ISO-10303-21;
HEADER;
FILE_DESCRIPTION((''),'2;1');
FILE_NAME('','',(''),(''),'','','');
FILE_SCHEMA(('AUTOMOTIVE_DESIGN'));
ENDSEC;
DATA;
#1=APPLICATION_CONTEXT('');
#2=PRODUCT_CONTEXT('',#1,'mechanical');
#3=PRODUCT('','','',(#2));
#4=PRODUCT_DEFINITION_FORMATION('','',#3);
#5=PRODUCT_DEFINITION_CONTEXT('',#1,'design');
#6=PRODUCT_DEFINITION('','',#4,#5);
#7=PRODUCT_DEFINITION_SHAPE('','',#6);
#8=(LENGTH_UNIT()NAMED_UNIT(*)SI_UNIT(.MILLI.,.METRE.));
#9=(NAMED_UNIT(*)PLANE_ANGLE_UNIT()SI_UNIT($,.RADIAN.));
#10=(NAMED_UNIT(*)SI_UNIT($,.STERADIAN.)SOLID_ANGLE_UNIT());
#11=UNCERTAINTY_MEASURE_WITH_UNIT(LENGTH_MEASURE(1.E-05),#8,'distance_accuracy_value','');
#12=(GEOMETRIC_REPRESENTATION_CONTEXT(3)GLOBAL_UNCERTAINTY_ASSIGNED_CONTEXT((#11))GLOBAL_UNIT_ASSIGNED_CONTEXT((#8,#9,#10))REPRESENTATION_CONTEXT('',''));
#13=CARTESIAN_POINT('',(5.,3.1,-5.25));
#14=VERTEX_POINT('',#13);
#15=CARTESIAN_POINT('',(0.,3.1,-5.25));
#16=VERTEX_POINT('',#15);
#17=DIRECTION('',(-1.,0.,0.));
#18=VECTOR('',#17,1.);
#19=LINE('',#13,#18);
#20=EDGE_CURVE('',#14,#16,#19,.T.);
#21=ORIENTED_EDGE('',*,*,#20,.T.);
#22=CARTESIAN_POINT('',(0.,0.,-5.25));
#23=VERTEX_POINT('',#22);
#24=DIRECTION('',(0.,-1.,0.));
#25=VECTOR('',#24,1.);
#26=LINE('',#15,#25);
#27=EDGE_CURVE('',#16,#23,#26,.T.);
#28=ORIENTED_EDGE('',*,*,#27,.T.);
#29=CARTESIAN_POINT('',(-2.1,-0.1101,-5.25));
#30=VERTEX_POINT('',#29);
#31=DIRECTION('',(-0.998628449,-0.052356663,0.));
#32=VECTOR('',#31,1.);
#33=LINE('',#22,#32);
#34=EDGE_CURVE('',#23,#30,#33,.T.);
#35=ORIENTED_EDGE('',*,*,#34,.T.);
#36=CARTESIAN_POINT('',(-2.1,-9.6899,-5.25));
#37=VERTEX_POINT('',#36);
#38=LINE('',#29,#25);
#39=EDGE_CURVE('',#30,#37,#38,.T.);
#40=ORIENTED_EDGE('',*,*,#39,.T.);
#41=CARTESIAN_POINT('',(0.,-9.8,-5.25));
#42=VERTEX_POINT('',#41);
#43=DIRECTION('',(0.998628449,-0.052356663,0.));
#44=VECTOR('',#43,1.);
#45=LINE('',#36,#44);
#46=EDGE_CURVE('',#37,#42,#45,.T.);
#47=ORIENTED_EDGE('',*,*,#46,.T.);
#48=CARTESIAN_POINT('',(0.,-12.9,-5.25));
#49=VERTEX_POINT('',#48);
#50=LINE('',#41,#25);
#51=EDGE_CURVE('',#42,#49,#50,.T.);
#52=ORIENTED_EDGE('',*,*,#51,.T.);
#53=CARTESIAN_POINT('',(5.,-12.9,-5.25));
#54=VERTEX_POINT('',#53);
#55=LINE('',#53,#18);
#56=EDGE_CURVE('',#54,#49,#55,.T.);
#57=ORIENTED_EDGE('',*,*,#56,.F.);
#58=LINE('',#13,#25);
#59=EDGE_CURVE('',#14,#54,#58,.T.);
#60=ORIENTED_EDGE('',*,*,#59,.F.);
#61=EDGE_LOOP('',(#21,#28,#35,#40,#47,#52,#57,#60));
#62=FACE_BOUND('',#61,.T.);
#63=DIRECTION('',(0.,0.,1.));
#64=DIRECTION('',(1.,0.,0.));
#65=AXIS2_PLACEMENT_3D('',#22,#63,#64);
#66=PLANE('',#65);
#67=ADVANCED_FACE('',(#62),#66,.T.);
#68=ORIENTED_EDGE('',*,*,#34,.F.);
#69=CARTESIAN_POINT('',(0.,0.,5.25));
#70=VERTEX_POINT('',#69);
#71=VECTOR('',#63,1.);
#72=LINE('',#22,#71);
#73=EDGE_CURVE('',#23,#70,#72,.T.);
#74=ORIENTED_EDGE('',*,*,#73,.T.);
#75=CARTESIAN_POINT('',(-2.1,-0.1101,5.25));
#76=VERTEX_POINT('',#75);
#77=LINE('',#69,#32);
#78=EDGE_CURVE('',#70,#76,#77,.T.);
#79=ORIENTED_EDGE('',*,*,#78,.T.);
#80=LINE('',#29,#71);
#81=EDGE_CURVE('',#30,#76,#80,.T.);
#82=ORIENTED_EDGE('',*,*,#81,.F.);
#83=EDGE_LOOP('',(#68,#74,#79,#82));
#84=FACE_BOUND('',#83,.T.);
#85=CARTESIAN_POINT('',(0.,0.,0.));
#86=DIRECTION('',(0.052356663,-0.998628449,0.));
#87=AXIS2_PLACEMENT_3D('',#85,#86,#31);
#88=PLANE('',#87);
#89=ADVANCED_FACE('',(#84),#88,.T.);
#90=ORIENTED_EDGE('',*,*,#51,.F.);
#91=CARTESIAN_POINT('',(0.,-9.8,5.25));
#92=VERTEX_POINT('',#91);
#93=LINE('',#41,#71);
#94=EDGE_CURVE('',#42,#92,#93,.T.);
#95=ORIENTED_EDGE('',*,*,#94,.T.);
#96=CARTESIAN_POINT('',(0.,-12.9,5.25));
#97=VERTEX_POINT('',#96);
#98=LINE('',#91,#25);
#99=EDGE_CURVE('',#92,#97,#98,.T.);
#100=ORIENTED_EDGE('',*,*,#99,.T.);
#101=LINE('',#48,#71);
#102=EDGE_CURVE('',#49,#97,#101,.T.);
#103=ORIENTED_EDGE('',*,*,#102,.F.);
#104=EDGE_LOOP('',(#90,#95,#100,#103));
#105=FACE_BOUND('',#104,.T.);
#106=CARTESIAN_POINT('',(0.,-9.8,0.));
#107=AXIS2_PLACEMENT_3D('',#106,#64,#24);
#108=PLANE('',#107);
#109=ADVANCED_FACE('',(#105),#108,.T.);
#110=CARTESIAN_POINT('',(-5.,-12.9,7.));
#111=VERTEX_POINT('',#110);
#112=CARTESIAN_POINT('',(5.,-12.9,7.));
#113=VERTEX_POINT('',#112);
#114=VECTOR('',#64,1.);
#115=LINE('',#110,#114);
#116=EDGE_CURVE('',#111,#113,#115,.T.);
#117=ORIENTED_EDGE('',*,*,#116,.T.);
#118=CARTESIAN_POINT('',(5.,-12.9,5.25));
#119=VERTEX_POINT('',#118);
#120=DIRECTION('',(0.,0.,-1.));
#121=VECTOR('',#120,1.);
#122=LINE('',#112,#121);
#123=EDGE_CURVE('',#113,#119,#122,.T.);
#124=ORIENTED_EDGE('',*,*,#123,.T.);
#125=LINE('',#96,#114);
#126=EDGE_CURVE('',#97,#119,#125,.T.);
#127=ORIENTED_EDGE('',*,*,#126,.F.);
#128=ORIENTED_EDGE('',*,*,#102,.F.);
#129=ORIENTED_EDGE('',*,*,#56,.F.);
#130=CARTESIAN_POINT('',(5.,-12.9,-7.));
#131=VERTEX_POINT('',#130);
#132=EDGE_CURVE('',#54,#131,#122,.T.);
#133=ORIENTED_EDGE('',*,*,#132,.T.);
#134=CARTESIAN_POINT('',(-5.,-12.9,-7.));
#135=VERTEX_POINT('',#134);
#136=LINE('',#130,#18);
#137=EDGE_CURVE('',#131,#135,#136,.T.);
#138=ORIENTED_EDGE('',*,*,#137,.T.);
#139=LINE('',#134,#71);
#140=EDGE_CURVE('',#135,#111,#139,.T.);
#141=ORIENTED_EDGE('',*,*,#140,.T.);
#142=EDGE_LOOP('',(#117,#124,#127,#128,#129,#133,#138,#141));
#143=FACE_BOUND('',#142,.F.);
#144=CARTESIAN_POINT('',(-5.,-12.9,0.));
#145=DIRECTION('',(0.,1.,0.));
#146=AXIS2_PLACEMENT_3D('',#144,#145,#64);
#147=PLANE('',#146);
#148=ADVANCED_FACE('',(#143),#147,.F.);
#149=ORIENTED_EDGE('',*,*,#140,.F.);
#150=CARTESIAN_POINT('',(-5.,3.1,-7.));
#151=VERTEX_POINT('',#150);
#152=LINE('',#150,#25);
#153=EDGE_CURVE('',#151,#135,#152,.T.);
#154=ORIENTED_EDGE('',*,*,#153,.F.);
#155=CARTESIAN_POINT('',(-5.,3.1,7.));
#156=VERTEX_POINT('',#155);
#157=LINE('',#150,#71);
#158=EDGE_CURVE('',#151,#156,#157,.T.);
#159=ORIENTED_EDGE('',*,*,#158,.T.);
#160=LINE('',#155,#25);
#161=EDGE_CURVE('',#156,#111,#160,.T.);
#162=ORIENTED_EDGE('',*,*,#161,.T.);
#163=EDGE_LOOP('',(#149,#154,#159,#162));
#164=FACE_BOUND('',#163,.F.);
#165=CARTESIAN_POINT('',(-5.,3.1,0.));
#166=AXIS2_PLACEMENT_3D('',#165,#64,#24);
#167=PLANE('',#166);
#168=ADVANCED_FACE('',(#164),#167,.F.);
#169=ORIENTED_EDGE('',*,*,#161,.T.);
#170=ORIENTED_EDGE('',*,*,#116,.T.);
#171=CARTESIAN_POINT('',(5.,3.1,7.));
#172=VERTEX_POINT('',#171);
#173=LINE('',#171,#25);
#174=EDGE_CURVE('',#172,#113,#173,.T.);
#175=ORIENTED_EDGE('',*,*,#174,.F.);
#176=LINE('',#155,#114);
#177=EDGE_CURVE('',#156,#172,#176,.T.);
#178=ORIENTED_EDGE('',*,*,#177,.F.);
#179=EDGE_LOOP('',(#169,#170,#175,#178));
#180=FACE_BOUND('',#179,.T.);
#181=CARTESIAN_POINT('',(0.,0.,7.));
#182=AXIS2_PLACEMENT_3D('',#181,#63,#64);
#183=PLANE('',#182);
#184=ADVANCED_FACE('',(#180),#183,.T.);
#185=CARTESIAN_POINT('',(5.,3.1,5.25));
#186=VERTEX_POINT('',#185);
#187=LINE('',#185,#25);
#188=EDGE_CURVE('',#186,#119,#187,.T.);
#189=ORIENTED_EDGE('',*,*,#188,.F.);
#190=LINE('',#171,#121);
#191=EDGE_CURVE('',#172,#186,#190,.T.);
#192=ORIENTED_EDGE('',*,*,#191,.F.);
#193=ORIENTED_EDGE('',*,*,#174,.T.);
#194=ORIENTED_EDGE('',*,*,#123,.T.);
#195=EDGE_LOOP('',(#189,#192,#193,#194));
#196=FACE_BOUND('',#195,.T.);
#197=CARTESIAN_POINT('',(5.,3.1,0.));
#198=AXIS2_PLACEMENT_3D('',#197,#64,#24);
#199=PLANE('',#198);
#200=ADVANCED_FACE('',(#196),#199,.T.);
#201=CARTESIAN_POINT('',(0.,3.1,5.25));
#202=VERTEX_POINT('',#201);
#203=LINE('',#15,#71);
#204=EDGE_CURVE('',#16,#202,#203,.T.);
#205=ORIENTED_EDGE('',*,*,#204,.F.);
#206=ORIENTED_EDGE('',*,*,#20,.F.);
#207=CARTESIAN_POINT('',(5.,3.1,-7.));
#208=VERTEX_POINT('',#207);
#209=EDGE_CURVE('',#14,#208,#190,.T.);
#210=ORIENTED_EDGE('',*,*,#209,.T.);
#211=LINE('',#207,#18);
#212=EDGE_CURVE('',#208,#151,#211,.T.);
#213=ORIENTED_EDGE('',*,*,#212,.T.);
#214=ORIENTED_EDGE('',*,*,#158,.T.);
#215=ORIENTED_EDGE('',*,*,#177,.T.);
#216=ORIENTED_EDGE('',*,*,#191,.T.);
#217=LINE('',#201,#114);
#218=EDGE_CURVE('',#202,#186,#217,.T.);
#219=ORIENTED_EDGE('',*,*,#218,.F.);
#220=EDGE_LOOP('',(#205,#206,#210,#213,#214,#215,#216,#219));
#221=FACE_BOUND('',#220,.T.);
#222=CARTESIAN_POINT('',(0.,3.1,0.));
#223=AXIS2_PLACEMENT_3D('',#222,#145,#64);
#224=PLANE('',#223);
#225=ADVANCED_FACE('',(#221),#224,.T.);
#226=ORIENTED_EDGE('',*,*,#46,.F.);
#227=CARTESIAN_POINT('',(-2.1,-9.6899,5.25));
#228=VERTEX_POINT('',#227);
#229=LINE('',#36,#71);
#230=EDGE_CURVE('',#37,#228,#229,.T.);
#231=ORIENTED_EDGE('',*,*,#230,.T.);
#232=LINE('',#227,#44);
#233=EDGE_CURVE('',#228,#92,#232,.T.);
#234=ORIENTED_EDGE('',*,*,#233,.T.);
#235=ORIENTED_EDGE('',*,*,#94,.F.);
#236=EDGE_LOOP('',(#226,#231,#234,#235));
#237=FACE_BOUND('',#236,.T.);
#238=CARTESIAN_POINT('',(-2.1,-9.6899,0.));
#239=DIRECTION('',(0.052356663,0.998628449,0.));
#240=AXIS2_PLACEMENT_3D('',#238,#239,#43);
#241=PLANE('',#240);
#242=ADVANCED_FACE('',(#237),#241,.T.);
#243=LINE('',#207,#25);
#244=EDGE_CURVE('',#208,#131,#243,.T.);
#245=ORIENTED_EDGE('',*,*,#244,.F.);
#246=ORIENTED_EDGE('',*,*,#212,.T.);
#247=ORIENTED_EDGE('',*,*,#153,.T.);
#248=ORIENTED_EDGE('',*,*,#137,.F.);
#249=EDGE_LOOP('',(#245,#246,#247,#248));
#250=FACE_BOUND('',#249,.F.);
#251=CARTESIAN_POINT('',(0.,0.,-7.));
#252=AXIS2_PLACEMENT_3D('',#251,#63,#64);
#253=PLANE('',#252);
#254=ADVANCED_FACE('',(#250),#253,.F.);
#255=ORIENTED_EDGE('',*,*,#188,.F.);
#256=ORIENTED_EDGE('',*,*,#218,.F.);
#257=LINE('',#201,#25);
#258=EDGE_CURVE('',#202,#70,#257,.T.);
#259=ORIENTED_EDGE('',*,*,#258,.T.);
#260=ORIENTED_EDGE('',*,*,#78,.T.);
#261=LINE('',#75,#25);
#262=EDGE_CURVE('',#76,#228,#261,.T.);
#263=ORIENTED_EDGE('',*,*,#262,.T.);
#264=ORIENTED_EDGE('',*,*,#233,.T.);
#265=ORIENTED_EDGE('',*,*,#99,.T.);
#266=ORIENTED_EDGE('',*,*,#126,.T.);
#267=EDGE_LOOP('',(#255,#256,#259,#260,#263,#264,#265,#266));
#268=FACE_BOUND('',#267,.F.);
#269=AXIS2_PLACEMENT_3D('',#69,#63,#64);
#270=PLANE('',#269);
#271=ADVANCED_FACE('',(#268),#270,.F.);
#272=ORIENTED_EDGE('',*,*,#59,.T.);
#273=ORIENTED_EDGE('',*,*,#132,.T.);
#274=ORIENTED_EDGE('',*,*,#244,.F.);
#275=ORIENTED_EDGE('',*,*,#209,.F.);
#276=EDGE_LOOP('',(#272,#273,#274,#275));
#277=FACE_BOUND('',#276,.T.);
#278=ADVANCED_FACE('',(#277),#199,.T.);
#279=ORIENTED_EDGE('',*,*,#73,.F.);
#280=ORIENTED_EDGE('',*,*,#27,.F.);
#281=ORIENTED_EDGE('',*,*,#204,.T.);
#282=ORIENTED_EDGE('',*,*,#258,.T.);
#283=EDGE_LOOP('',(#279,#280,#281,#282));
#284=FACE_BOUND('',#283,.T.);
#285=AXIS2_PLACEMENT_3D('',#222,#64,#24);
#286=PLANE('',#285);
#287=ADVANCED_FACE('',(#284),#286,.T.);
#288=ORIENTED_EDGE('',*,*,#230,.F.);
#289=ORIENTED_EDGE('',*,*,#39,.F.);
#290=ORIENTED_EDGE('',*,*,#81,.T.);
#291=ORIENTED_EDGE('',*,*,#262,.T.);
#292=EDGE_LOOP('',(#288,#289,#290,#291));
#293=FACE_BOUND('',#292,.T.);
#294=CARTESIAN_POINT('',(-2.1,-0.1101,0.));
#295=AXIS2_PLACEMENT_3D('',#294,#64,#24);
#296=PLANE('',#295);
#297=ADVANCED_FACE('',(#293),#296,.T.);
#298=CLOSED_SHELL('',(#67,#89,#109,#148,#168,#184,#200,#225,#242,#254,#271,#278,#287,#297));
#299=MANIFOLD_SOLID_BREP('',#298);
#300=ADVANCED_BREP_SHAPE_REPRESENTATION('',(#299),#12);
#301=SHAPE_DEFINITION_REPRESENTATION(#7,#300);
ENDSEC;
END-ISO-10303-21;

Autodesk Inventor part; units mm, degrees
ref_plane "YZ Plane" through (0, 0, 0) normal (1, 0, 0) x (0, 1, 0)
ref_plane "XZ Plane" through (0, 0, 0) normal (0, 1, 0) x (-1, 0, 0)
ref_plane "XY Plane" through (0, 0, 0) normal (0, 0, 1) x (1, 0, 0)
sketch "Skizze1" plane through (0, 0, 0) normal (0, 0, 1) x (1, 0, 0)
  line L0 (0, 3.1) -> (0, 0)
  line L1 (0, 0) -> (-2.1, -0.1101)
  line L2 (-2.1, -0.1101) -> (-2.1, -9.6899)
  line L3 (-2.1, -9.6899) -> (0, -9.8)
  line L4 (0, -9.8) -> (0, -12.9)
  line L5 (0, 3.1) -> (-5, 3.1)
  line L6 (-5, 3.1) -> (-5, -12.9)
  line L7 (-5, -12.9) -> (0, -12.9)
  line L8 (0, 3.1) -> (5, 3.1)
  line L9 (5, 3.1) -> (5, -12.9)
  line L10 (5, -12.9) -> (0, -12.9)
  line L11 (0.1, -12.9) -> (0.1, -9.7051)
  line L12 (0.1, -9.7051) -> (-2, -9.595)
  line L13 (-2, -9.595) -> (-2, -0.205)
  line L14 (-2, -0.205) -> (0.1, -0.0949)
  line L15 (0.1, -0.0949) -> (0.1, 3.1)
  line L16 (0, 0) -> (0, -9.8)
  point P0 (0, -9.6999)
  point P1 (0, -0.1001)
  dimension "d0" = 2.1
  dimension "d1" = 9.8
  dimension "d2" = 87
  dimension "d3" = 5
  dimension "d4" = 16
  dimension "d5" = 0.1
extrude "Extrusion1" add sketch "Skizze1" along normal mid plane 14
extrude "Extrusion2" cut sketch "Skizze1" along normal mid plane 10.5 contours L8 L15 L14 L16 L0 | L16 L14 L13 L12 L3 L2 L1 | L8 L9 L10 L11 L12 L16 L14 L15 | L16 L12 L13 L14 | L12 L11 L10 L4 L16
properties part number "bat_contacts_v2_contact_form1_3D-Druck"
